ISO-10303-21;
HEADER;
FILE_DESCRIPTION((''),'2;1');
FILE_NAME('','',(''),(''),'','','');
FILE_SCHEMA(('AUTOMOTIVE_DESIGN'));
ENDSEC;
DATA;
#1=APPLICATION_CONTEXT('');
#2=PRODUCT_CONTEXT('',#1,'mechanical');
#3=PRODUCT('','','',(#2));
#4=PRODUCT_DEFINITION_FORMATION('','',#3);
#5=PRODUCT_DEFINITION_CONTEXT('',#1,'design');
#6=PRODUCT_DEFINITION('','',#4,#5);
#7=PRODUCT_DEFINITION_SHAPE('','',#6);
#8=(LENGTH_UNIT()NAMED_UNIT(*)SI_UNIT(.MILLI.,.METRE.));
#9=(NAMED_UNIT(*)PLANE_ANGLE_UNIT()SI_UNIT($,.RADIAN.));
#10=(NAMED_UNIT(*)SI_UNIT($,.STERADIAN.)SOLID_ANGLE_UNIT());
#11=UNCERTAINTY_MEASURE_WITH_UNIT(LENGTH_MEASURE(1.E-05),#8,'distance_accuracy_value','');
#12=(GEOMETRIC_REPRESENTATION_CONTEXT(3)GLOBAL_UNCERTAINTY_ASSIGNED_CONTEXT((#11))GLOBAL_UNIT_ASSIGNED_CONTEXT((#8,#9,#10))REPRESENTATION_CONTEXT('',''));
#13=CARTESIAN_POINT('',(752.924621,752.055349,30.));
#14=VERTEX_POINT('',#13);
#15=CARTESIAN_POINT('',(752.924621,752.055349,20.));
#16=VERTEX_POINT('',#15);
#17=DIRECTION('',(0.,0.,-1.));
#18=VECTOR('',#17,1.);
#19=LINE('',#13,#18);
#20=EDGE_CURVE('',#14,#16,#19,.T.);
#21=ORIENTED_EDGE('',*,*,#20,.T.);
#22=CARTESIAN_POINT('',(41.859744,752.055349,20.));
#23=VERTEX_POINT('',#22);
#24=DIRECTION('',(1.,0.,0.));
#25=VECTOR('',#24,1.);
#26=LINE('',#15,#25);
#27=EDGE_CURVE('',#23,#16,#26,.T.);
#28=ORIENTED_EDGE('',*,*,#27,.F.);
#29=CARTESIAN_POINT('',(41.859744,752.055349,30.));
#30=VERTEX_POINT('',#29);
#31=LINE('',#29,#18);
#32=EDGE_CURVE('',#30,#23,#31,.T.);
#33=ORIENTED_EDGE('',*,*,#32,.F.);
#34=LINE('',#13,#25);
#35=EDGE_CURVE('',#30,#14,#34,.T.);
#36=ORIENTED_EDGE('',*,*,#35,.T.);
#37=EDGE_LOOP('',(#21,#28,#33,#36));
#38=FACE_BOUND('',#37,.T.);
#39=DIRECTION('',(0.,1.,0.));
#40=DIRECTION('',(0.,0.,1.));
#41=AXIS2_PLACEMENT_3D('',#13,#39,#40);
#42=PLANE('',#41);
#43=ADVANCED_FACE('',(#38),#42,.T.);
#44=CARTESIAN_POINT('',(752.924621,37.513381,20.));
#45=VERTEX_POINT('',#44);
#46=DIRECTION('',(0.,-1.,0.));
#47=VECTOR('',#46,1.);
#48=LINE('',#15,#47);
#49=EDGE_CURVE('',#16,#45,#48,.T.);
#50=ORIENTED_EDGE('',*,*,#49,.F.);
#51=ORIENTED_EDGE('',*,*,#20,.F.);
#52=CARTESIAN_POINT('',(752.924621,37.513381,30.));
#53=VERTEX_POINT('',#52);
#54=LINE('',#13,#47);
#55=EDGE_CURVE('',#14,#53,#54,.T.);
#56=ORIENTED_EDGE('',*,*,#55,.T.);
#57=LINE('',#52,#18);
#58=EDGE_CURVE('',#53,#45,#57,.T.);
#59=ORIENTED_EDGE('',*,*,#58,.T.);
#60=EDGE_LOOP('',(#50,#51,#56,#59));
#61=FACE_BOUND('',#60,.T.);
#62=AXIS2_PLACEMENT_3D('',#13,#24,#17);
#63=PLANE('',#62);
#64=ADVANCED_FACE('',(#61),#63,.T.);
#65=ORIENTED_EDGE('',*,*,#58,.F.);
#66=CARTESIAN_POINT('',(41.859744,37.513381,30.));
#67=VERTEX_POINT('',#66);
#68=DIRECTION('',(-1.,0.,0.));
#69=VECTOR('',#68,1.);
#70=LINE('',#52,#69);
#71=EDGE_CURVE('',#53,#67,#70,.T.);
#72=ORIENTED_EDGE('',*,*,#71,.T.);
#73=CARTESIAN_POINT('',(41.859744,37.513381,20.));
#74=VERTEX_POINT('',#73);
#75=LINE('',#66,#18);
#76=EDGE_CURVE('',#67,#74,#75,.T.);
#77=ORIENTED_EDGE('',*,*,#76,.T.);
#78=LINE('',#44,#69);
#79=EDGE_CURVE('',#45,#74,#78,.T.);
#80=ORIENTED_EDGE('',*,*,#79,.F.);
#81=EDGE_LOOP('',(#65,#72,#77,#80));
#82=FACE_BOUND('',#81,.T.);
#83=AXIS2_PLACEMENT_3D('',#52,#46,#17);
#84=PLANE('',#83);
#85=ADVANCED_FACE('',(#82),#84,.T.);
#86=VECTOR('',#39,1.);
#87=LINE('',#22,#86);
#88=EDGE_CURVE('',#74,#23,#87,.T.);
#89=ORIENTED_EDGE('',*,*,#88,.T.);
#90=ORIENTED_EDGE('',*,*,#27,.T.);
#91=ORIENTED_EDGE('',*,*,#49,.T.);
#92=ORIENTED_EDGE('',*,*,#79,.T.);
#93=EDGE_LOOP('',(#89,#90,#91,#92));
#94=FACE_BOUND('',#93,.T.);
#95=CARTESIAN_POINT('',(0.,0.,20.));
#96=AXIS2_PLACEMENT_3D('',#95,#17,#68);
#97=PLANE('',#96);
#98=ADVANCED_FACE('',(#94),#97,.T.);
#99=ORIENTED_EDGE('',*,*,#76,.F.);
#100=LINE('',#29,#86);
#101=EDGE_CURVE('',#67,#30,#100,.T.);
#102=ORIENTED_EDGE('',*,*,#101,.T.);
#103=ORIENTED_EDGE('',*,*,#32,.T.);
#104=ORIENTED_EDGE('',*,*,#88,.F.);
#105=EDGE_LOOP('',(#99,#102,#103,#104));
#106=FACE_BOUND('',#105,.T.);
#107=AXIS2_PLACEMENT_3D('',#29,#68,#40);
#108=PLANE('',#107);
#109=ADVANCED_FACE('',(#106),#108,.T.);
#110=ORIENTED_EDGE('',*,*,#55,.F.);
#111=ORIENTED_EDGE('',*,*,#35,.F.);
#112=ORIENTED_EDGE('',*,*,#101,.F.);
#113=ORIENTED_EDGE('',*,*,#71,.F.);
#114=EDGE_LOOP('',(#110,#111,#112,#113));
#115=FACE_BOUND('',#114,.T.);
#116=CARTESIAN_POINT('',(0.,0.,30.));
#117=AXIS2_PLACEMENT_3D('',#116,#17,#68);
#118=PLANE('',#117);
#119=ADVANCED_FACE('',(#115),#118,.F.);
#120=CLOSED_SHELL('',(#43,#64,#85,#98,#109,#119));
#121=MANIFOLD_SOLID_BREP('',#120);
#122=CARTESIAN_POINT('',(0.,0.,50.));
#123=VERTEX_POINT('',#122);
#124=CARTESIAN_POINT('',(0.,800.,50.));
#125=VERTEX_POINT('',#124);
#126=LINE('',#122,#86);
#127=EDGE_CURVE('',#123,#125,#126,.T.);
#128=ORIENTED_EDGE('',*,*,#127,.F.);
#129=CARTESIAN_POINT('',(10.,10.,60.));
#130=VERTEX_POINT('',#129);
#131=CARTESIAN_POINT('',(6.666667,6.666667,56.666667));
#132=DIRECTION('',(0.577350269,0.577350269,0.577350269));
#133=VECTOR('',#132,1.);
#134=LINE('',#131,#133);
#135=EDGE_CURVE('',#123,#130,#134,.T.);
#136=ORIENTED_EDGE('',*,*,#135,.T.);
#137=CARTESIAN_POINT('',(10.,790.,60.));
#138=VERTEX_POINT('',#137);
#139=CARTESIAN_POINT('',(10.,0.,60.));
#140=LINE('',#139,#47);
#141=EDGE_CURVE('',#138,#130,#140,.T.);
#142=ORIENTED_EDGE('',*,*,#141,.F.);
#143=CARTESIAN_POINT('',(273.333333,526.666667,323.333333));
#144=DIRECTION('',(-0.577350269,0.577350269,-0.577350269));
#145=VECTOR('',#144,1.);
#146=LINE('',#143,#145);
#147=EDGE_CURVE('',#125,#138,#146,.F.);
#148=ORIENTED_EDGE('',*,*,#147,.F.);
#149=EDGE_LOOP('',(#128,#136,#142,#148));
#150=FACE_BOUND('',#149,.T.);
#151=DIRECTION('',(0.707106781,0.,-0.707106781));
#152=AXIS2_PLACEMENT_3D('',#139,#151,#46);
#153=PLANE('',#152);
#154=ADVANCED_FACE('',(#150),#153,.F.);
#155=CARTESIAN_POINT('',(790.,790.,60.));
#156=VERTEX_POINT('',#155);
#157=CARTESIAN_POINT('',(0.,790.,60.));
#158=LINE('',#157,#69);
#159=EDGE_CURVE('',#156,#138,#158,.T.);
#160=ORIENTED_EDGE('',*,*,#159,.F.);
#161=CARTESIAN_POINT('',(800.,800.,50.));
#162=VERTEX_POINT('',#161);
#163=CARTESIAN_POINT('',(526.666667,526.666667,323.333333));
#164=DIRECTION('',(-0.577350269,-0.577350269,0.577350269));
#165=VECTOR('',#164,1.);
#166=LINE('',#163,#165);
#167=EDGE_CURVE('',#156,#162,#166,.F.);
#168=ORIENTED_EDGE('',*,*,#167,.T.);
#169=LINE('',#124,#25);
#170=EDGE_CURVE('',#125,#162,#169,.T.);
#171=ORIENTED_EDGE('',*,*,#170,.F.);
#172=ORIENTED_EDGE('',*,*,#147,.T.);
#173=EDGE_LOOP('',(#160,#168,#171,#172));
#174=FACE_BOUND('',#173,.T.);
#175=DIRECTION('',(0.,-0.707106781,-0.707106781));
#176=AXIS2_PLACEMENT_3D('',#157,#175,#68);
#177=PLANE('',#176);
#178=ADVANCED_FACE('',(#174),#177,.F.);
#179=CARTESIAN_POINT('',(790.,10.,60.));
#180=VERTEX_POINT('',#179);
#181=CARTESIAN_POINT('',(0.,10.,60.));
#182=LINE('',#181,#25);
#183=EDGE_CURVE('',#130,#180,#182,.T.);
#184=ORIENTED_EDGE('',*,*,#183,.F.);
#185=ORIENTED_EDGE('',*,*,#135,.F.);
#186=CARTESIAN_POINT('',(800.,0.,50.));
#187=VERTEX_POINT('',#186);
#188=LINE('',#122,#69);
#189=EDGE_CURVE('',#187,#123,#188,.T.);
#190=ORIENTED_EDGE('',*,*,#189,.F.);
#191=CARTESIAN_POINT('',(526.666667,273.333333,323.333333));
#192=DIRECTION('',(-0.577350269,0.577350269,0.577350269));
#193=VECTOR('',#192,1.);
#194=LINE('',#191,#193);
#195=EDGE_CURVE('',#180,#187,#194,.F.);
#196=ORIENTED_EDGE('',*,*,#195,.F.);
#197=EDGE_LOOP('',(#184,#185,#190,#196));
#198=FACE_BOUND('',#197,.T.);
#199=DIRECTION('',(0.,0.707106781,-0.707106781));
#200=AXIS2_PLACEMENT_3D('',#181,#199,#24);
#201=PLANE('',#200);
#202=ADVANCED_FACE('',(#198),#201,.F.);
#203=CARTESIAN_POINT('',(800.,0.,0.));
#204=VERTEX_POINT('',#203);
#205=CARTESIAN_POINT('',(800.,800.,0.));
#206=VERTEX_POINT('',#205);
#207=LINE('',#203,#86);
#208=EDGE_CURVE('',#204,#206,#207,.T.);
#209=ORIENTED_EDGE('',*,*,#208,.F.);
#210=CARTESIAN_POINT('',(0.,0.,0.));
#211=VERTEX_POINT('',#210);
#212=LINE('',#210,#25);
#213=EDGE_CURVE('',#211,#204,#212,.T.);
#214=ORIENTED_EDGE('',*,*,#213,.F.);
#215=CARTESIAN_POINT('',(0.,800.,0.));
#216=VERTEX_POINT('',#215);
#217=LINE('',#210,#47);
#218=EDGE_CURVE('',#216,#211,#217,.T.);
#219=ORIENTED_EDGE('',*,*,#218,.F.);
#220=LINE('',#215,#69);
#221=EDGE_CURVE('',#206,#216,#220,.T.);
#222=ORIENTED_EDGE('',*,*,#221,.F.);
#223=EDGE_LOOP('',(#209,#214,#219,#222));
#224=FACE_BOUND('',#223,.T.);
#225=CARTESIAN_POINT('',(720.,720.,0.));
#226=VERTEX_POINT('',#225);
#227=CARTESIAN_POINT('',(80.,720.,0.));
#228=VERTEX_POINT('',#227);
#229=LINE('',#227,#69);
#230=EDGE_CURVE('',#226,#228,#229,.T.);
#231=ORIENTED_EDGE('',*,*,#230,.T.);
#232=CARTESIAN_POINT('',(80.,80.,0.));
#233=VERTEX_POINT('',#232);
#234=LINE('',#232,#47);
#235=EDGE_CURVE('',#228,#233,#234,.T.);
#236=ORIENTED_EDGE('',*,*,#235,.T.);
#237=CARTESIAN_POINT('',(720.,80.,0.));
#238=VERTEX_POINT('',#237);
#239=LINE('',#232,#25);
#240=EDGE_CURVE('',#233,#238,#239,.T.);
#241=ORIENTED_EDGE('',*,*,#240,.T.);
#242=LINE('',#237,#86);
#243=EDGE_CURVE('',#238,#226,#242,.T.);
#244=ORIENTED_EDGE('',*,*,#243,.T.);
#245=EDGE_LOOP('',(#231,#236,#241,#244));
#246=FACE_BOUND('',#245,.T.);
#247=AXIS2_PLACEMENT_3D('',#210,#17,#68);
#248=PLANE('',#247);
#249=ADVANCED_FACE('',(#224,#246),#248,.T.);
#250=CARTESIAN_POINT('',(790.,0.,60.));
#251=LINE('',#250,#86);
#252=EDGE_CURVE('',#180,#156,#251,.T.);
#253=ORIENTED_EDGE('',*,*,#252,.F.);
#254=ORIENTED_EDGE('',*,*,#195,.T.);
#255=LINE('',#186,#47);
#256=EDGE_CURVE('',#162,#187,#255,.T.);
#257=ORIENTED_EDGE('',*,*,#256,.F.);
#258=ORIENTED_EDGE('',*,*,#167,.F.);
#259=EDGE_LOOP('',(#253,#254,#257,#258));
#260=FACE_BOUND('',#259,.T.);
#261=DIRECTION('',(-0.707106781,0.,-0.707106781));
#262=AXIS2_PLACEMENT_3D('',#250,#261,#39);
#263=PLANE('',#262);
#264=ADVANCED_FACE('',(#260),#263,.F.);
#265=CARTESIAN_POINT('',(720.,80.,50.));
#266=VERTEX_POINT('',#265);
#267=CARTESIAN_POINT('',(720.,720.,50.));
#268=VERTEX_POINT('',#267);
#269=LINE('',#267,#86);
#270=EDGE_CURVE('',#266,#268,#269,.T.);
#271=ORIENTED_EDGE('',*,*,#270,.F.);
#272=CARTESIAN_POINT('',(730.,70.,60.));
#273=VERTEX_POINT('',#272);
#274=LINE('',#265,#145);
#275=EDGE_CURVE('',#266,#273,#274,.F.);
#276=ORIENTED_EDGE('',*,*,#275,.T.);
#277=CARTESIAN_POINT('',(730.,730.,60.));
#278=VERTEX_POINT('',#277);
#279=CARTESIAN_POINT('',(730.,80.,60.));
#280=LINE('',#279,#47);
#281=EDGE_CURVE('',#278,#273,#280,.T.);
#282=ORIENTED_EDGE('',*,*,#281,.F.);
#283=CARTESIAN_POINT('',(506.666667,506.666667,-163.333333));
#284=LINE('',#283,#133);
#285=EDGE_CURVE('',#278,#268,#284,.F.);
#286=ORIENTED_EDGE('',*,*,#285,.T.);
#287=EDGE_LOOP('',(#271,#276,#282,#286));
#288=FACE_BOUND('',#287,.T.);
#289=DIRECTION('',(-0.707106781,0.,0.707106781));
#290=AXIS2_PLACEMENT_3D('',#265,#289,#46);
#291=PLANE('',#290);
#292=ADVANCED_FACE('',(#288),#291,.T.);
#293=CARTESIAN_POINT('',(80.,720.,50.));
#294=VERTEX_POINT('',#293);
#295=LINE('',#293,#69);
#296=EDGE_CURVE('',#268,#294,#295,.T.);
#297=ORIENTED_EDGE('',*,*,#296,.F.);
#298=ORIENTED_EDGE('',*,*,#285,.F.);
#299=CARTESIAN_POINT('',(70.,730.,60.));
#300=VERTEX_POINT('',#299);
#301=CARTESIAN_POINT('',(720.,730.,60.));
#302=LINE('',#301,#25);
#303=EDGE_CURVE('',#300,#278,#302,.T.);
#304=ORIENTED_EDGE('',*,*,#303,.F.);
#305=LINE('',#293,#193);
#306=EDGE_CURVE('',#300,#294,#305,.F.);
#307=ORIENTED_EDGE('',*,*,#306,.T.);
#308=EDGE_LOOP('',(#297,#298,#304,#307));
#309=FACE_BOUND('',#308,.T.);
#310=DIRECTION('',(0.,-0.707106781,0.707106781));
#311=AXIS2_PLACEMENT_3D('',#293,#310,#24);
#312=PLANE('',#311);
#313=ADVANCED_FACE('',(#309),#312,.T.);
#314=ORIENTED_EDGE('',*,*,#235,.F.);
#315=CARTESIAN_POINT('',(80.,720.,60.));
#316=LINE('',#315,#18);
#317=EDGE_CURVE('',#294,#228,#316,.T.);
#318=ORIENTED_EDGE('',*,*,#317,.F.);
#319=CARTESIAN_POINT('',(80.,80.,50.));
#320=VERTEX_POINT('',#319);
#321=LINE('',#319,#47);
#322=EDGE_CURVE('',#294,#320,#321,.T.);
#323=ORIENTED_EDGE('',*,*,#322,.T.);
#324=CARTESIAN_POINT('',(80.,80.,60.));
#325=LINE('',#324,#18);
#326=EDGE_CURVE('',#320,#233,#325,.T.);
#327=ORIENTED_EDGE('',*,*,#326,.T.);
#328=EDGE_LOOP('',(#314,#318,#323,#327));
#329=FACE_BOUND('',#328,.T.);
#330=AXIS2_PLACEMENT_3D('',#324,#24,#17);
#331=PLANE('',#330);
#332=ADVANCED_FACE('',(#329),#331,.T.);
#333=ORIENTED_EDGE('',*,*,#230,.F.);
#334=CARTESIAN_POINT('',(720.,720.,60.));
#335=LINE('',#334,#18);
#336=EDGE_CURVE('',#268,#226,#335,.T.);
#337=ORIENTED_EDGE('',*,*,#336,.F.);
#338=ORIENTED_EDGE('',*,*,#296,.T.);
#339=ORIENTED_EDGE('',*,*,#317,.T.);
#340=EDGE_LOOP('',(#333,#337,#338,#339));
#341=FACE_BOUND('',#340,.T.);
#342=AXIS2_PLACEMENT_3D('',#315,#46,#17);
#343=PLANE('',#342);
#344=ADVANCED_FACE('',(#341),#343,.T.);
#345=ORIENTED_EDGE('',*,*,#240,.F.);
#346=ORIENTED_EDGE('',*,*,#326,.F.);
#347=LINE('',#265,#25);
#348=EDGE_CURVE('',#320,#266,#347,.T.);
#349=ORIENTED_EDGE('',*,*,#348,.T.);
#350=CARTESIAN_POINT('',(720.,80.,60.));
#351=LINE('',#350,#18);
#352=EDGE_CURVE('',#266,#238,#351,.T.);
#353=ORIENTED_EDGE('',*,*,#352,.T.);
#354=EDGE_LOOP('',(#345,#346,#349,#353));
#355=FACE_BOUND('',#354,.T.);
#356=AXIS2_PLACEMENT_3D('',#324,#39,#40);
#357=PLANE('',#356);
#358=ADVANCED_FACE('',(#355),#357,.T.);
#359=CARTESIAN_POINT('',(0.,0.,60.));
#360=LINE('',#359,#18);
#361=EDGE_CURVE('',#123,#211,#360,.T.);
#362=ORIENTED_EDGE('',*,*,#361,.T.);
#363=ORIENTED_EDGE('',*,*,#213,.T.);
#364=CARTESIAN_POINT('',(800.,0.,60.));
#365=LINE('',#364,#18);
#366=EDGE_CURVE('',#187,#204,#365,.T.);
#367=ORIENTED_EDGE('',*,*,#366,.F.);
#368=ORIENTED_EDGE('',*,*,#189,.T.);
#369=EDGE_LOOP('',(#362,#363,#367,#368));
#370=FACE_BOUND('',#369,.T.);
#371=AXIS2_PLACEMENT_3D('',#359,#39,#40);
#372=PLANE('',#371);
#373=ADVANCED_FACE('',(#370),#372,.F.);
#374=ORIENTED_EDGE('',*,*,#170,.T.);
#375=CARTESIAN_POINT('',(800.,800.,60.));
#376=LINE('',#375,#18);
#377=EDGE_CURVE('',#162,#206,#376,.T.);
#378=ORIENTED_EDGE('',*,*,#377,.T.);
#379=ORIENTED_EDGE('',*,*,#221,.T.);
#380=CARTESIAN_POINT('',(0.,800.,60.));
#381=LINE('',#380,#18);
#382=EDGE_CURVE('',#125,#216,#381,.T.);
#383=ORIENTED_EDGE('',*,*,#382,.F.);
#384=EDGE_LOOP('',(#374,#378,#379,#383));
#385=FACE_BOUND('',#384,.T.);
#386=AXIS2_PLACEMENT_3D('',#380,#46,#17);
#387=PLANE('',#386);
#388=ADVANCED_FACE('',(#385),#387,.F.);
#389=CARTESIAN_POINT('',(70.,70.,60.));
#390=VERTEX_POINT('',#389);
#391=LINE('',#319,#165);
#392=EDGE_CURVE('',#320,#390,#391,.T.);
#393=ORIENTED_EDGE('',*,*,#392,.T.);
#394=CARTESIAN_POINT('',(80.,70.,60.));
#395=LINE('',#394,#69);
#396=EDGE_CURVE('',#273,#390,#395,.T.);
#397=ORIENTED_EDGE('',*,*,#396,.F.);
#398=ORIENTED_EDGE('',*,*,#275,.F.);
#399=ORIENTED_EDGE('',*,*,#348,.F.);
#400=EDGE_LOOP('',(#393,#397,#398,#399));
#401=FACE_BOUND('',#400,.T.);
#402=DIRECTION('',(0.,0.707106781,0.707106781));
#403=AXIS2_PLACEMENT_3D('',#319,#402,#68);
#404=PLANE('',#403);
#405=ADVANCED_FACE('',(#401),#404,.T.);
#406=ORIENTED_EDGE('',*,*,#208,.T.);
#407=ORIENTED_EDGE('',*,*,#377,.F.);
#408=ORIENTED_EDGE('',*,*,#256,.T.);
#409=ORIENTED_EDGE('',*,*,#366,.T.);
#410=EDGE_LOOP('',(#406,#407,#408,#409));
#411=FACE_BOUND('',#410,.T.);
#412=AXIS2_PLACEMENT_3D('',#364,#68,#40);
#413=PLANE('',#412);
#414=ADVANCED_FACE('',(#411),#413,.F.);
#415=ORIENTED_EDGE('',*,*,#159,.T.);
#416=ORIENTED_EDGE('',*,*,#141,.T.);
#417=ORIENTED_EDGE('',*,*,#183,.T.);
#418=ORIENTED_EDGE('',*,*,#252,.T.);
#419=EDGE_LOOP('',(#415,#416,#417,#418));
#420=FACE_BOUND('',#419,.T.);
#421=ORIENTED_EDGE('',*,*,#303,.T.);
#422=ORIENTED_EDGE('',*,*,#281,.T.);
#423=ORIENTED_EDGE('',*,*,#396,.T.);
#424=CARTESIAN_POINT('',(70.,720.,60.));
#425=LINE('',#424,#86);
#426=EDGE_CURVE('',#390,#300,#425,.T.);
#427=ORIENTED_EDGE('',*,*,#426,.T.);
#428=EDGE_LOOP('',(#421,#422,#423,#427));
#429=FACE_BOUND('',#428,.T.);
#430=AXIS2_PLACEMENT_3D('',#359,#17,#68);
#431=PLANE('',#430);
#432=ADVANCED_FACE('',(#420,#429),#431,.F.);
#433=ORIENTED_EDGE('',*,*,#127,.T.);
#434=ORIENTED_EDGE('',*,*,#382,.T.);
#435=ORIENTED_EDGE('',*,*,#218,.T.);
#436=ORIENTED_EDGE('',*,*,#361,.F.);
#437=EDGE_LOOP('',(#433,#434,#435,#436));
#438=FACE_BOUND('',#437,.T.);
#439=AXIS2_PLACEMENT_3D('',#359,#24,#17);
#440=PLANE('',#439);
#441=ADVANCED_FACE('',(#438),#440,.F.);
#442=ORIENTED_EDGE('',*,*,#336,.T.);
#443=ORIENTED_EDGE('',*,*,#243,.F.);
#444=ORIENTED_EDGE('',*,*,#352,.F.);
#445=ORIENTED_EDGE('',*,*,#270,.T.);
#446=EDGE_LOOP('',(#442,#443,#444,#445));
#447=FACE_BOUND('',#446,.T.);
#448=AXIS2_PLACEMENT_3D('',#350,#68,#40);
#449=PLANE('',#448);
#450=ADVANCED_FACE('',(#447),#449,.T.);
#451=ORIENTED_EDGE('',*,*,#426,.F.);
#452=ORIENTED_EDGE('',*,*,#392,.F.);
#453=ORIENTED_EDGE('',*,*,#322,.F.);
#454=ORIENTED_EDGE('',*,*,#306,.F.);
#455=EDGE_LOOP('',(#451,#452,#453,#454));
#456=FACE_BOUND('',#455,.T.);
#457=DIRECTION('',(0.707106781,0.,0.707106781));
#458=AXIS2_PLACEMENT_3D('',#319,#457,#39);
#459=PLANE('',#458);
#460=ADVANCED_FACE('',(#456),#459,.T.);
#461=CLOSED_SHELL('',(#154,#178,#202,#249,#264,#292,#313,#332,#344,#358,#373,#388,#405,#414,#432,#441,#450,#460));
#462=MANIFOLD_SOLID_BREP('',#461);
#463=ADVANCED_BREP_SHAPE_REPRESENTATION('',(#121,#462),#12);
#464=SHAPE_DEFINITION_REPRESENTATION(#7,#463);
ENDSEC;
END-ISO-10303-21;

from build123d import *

# Parameters (mm, degrees)
SKETCH_1_W      = 800
SKETCH_1_H      = 800
SKETCH_1_W_2    = 640
SKETCH_1_H_2    = 640
EXTRUDE_1_DEPTH = 60
CHAMFER_1_SIZE  = 10
EXTRUDE_START   = -20
SKETCH_2_W      = 711.064877595
SKETCH_2_H      = 714.541967462
EXTRUDE_2_DEPTH = 10


with BuildPart() as part:
    # Эскиз1 → Бобышка-Вытянуть1 (new body)
    with BuildSketch(Plane.XY):
        with Locations((400, 400)):
            Rectangle(SKETCH_1_W, SKETCH_1_H)
        with Locations((400, 400)):
            Rectangle(SKETCH_1_W_2, SKETCH_1_H_2, mode=Mode.SUBTRACT)
    extrude(amount=EXTRUDE_1_DEPTH)

    # Фаска1
    chamfer_1_edges = [part.edges().sort_by_distance(p)[0] for p in [
        (800, 400, 60),
        (400, 80, 60),
        (400, 800, 60),
        (720, 400, 60),
        (400, 720, 60),
        (80, 400, 60),
        (0, 400, 60),
        (400, 0, 60),
    ]]
    chamfer(chamfer_1_edges, length=CHAMFER_1_SIZE)


with BuildPart() as body_2:
    # Эскиз2 → Бобышка-Вытянуть2 (new body)
    with BuildSketch(Plane(origin=(0, 0, 0), x_dir=(-1, 0, 0), z_dir=(0, 0, -1)).offset(EXTRUDE_START)):
        with Locations((-397.392182601, 394.784365201)):
            Rectangle(SKETCH_2_W, SKETCH_2_H)
    extrude(amount=-EXTRUDE_2_DEPTH)


solid = Compound([part.part, body_2.part])
